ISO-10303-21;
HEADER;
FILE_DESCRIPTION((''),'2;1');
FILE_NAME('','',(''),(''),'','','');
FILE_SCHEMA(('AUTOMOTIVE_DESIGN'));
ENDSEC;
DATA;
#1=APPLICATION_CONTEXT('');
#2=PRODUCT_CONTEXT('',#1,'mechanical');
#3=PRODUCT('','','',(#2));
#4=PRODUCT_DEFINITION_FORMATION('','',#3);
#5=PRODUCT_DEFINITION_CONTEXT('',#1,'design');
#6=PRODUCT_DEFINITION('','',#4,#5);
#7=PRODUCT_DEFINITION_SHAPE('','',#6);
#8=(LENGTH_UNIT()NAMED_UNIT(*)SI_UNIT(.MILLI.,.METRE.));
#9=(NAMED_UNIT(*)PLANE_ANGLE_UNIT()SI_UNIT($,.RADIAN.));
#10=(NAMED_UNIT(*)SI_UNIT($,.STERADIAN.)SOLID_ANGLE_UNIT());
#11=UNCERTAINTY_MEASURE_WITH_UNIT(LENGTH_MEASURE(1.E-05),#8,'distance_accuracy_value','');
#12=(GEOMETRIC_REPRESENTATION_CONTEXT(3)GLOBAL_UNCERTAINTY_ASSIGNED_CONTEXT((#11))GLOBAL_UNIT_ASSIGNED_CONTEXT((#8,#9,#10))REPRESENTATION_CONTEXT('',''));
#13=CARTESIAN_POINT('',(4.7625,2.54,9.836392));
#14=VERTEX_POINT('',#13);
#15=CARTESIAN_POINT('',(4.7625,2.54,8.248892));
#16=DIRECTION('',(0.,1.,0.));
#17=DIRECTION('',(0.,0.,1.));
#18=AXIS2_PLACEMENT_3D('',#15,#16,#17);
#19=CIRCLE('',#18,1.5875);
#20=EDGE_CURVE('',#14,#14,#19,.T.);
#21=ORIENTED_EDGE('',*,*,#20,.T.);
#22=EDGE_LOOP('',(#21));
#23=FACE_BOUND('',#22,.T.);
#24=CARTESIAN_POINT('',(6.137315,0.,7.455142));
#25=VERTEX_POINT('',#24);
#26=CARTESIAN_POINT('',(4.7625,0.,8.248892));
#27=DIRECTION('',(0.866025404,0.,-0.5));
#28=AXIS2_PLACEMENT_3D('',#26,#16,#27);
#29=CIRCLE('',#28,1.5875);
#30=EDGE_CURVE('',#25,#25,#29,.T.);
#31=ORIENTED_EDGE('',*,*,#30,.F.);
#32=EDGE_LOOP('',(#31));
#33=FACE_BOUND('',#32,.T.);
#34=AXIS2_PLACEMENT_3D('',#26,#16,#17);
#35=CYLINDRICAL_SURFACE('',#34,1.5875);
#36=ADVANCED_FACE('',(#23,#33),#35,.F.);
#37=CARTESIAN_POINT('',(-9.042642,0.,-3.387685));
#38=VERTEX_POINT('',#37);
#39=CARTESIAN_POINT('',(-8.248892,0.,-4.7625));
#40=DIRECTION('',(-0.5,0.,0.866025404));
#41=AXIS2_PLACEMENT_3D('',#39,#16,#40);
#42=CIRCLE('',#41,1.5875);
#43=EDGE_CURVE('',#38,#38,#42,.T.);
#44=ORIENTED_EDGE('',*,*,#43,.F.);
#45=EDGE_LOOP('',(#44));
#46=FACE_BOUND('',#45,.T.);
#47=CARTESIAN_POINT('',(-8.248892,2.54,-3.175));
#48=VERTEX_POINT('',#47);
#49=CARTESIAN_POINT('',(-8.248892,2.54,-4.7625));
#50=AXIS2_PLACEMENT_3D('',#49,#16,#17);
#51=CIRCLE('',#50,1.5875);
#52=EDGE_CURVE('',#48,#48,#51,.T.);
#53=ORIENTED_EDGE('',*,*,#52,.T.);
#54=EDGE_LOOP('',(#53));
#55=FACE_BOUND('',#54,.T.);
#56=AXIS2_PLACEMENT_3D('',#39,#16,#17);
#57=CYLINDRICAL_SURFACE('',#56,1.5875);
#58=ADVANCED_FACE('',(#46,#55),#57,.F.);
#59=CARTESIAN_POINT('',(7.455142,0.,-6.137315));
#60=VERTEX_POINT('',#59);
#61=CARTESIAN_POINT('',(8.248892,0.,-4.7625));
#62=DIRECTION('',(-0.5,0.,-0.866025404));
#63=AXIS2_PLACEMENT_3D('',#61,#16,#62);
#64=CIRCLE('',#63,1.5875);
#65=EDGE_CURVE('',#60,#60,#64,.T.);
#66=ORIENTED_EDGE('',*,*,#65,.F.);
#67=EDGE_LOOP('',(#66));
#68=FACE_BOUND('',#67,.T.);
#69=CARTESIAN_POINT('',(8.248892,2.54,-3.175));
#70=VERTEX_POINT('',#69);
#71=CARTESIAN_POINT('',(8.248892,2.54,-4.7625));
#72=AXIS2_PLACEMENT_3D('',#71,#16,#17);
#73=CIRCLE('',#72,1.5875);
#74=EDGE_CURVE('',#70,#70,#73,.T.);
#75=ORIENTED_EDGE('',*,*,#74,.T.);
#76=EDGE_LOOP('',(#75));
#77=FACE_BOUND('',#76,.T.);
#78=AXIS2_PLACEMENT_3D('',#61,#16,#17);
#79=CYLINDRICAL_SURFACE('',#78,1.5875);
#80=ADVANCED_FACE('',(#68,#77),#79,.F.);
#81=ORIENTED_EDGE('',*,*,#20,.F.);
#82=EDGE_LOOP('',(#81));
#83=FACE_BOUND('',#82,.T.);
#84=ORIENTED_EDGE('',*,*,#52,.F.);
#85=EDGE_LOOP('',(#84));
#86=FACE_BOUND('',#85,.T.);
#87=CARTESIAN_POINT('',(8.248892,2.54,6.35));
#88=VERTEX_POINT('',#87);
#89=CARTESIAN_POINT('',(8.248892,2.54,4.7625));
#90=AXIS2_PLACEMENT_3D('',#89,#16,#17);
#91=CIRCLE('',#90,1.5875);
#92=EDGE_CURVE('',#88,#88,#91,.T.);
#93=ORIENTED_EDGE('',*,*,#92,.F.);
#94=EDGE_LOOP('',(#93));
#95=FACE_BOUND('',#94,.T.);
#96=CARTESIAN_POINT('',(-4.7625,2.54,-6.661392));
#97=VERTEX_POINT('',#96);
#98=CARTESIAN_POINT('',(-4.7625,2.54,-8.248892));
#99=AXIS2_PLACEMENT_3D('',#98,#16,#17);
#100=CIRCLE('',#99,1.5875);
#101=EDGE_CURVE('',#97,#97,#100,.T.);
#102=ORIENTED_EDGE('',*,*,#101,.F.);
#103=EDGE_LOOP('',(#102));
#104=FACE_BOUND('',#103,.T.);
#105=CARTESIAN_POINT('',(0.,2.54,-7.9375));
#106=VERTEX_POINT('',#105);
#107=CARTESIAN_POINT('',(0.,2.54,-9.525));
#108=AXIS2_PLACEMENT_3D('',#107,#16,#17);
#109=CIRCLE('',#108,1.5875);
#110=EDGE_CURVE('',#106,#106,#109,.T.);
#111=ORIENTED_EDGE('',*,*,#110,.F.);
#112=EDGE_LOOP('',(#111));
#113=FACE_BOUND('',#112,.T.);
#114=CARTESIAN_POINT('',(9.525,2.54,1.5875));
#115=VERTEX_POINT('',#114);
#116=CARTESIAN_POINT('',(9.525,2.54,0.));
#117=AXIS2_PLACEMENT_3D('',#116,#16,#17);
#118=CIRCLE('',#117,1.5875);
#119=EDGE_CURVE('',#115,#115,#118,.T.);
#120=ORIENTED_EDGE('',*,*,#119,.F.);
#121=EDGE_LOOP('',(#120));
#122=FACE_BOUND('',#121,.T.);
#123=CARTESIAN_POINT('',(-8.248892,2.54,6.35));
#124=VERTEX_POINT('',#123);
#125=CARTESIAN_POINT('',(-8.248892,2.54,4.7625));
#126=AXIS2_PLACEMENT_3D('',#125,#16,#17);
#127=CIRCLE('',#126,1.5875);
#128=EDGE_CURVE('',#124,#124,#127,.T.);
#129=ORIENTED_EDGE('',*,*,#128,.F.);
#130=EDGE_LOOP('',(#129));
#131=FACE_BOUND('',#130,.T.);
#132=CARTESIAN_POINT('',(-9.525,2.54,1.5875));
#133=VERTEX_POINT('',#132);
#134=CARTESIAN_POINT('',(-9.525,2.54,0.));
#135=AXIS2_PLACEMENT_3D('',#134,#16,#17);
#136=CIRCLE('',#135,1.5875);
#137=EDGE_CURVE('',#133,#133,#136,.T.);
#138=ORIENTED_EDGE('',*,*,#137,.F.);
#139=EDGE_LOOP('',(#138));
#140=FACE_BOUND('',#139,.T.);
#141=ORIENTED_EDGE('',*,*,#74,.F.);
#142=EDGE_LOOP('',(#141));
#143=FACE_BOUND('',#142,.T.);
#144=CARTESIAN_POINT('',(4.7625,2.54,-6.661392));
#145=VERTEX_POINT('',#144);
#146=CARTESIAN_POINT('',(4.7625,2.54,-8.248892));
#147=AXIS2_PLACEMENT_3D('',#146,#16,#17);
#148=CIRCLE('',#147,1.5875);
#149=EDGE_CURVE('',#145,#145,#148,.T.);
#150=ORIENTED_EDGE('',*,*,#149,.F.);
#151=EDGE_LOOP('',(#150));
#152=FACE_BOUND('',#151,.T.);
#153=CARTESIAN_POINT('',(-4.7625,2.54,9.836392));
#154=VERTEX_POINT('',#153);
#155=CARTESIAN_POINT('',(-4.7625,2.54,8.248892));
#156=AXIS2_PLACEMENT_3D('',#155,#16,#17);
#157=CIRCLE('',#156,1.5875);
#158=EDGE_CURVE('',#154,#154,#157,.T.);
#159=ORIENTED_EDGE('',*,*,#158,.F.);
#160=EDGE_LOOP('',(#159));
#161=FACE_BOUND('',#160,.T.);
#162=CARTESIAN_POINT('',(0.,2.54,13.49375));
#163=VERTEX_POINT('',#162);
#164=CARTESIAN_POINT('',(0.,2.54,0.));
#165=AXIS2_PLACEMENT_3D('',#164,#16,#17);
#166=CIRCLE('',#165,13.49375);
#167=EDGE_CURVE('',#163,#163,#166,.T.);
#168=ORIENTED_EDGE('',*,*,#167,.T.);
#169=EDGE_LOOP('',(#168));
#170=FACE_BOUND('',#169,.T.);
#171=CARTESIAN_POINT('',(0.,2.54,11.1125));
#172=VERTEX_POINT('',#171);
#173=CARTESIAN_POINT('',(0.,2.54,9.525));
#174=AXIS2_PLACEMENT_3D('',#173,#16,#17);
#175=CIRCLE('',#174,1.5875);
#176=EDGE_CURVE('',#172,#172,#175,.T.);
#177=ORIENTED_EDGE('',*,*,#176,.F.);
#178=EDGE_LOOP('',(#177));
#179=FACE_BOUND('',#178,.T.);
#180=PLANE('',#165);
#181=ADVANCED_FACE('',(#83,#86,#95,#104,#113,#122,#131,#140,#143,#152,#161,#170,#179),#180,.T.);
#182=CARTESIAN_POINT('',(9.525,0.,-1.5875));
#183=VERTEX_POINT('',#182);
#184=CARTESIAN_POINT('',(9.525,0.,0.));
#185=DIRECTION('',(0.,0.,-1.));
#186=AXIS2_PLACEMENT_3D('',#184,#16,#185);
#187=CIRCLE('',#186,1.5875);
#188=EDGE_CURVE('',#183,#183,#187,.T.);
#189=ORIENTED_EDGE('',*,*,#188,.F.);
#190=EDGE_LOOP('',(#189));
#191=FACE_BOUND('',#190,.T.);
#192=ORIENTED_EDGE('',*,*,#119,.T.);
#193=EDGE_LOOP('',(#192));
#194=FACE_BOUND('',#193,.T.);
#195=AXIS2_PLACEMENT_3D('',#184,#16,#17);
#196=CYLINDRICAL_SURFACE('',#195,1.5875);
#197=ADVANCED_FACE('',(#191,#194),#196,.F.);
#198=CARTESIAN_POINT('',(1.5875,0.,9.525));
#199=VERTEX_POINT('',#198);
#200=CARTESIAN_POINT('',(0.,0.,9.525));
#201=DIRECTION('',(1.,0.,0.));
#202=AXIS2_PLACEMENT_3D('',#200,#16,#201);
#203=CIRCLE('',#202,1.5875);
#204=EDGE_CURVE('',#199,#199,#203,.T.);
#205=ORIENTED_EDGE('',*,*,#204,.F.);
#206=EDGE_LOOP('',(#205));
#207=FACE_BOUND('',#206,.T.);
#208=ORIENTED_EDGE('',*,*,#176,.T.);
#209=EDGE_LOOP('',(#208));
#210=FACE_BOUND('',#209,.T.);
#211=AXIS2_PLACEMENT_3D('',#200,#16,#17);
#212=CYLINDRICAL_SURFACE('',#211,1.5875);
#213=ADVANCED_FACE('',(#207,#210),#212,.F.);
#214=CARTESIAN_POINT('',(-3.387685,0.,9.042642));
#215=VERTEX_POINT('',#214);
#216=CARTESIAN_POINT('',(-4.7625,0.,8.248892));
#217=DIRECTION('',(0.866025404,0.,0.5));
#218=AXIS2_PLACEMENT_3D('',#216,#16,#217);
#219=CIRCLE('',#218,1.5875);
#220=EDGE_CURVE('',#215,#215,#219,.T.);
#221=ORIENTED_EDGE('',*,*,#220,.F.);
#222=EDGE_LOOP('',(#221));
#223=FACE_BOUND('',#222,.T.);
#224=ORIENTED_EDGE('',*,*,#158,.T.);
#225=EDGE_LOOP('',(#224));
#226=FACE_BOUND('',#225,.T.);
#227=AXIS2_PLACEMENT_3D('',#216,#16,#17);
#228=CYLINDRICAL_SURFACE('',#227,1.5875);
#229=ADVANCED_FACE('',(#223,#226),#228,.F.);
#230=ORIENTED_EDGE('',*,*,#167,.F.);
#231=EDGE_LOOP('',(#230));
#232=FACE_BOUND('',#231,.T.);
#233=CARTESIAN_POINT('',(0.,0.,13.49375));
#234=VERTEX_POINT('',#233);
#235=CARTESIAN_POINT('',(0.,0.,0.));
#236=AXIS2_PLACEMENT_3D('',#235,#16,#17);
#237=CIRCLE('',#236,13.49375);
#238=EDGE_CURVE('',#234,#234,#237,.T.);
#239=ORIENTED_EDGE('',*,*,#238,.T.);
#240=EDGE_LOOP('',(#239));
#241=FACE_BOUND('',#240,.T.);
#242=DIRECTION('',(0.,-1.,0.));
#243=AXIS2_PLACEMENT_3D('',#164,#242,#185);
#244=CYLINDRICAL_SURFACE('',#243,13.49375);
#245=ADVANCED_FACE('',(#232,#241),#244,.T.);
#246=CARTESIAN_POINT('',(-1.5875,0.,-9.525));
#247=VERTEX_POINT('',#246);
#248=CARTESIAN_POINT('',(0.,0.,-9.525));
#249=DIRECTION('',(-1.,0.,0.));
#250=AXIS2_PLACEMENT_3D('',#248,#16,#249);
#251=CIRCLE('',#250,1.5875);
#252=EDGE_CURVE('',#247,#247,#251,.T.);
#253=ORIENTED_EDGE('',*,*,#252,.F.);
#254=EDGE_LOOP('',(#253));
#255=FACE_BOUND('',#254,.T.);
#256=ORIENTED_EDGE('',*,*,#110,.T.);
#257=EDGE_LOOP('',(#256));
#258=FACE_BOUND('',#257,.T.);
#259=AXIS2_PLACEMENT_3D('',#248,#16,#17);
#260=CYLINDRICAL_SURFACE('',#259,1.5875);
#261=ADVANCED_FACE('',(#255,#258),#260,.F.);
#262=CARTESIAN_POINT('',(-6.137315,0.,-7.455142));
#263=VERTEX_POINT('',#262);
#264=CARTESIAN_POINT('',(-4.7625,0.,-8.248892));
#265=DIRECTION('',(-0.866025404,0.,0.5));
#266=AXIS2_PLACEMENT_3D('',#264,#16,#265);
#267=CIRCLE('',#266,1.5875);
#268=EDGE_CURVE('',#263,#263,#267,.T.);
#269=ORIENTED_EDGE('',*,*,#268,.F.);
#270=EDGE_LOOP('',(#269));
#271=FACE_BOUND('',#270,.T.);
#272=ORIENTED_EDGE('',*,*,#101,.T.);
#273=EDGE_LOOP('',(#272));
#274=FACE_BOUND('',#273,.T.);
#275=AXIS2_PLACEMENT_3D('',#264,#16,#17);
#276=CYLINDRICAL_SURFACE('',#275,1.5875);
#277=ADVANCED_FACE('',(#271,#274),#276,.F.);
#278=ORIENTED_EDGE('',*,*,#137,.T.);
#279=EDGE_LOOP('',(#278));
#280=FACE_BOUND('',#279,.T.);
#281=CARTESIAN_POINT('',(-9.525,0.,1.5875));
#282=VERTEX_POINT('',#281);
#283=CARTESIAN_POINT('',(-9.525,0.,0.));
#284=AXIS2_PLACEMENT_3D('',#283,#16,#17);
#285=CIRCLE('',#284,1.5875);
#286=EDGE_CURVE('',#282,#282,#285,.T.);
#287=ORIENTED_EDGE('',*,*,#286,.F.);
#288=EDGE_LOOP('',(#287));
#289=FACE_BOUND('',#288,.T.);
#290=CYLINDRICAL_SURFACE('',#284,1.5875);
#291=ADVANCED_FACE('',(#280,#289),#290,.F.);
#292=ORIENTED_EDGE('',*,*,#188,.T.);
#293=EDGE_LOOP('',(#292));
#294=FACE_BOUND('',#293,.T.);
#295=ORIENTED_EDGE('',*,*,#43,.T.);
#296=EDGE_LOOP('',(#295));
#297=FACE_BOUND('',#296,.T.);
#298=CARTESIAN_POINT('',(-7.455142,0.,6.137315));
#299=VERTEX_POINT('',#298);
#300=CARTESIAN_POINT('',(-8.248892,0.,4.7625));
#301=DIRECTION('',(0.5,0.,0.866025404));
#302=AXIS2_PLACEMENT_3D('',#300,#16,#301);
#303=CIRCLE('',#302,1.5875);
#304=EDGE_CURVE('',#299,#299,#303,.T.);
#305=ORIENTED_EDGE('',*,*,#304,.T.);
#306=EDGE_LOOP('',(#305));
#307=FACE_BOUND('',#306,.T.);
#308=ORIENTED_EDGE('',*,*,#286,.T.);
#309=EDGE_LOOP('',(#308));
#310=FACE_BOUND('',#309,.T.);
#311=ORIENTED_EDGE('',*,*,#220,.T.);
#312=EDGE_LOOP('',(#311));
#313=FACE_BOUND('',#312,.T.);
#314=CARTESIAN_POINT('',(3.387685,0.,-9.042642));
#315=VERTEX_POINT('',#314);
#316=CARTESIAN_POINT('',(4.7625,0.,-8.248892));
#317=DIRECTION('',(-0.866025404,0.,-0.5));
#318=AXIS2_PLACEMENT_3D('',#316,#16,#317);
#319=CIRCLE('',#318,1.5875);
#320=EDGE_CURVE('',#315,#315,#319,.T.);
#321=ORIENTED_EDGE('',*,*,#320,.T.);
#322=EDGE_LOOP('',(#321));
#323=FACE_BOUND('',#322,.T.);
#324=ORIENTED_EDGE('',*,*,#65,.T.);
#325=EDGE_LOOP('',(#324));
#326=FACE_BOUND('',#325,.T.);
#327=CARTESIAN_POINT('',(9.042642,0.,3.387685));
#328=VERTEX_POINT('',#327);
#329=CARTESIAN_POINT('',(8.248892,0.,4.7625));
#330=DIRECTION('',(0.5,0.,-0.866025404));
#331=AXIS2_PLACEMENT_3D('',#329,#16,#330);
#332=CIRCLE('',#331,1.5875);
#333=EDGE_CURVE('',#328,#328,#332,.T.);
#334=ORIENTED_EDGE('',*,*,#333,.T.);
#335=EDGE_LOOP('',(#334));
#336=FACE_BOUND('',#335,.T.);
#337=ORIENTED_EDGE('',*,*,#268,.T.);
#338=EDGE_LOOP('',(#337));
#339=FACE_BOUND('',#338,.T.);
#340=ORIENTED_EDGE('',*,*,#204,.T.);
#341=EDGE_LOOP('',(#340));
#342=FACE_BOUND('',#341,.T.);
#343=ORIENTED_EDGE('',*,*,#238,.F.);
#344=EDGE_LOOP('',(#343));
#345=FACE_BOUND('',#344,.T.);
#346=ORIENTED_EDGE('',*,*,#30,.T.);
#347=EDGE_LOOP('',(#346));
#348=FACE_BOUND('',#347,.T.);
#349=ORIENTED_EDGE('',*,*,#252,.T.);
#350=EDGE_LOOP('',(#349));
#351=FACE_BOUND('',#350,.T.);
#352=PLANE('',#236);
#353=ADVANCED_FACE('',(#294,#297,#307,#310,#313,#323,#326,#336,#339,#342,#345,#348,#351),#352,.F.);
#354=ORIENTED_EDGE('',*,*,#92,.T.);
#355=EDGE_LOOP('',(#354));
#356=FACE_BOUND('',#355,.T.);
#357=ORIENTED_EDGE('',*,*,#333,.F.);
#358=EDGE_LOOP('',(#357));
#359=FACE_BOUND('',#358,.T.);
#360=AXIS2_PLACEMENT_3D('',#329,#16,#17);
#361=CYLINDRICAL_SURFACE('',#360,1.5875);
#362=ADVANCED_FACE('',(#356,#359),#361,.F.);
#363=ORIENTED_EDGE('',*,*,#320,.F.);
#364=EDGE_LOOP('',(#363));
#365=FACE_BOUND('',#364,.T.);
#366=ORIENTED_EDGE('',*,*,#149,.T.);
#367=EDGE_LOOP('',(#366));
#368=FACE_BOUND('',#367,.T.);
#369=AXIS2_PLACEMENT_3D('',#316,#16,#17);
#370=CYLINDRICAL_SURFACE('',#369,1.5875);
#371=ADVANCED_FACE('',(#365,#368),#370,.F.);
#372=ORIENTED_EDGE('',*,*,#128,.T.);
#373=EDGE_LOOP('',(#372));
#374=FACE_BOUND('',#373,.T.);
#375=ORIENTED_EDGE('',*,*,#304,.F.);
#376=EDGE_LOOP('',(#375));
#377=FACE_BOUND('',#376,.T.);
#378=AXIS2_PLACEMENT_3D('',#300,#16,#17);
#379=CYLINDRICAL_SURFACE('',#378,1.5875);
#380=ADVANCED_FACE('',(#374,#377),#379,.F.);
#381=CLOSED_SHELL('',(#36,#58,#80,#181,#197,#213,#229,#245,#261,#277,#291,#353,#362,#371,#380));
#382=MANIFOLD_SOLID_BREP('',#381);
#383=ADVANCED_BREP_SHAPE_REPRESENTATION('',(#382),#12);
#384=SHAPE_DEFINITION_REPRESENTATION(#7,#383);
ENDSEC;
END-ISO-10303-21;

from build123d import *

# Parameters (mm, degrees)
SKETCH1_R           = 13.49375
BOSS_EXTRUDE1_DEPTH = 2.54
CUT_EXTRUDE1_START  = -3.54
SKETCH2_R           = 1.5875
CUT_EXTRUDE1_DEPTH  = 4.54
CIRPATTERN1_COUNT   = 12


with BuildPart() as part:
    # Sketch1 → Boss-Extrude1 (new body)
    with BuildSketch(Plane(origin=(0, 0, 0), x_dir=(1, 0, 0), z_dir=(0, 1, 0))):
        Circle(SKETCH1_R)
    extrude(amount=BOSS_EXTRUDE1_DEPTH)

    # Sketch2 → Cut-Extrude1 (cut)
    with BuildSketch(Plane(origin=(0, 2.54, 0), x_dir=(1, 0, 0), z_dir=(0, 1, 0)).offset(CUT_EXTRUDE1_START)):
        with Locations((-9.525, 0)):
            Circle(SKETCH2_R)
    cut_extrude1 = extrude(amount=CUT_EXTRUDE1_DEPTH, mode=Mode.SUBTRACT)

    # CirPattern1: Cut-Extrude1 ×12 about axis
    cirpattern1_axis = Axis((0, 0, 0), (0, 1, 0))
    for i in range(1, CIRPATTERN1_COUNT):
        add(cut_extrude1.rotate(cirpattern1_axis, i * 360 / CIRPATTERN1_COUNT), mode=Mode.SUBTRACT)


solid = part.part
